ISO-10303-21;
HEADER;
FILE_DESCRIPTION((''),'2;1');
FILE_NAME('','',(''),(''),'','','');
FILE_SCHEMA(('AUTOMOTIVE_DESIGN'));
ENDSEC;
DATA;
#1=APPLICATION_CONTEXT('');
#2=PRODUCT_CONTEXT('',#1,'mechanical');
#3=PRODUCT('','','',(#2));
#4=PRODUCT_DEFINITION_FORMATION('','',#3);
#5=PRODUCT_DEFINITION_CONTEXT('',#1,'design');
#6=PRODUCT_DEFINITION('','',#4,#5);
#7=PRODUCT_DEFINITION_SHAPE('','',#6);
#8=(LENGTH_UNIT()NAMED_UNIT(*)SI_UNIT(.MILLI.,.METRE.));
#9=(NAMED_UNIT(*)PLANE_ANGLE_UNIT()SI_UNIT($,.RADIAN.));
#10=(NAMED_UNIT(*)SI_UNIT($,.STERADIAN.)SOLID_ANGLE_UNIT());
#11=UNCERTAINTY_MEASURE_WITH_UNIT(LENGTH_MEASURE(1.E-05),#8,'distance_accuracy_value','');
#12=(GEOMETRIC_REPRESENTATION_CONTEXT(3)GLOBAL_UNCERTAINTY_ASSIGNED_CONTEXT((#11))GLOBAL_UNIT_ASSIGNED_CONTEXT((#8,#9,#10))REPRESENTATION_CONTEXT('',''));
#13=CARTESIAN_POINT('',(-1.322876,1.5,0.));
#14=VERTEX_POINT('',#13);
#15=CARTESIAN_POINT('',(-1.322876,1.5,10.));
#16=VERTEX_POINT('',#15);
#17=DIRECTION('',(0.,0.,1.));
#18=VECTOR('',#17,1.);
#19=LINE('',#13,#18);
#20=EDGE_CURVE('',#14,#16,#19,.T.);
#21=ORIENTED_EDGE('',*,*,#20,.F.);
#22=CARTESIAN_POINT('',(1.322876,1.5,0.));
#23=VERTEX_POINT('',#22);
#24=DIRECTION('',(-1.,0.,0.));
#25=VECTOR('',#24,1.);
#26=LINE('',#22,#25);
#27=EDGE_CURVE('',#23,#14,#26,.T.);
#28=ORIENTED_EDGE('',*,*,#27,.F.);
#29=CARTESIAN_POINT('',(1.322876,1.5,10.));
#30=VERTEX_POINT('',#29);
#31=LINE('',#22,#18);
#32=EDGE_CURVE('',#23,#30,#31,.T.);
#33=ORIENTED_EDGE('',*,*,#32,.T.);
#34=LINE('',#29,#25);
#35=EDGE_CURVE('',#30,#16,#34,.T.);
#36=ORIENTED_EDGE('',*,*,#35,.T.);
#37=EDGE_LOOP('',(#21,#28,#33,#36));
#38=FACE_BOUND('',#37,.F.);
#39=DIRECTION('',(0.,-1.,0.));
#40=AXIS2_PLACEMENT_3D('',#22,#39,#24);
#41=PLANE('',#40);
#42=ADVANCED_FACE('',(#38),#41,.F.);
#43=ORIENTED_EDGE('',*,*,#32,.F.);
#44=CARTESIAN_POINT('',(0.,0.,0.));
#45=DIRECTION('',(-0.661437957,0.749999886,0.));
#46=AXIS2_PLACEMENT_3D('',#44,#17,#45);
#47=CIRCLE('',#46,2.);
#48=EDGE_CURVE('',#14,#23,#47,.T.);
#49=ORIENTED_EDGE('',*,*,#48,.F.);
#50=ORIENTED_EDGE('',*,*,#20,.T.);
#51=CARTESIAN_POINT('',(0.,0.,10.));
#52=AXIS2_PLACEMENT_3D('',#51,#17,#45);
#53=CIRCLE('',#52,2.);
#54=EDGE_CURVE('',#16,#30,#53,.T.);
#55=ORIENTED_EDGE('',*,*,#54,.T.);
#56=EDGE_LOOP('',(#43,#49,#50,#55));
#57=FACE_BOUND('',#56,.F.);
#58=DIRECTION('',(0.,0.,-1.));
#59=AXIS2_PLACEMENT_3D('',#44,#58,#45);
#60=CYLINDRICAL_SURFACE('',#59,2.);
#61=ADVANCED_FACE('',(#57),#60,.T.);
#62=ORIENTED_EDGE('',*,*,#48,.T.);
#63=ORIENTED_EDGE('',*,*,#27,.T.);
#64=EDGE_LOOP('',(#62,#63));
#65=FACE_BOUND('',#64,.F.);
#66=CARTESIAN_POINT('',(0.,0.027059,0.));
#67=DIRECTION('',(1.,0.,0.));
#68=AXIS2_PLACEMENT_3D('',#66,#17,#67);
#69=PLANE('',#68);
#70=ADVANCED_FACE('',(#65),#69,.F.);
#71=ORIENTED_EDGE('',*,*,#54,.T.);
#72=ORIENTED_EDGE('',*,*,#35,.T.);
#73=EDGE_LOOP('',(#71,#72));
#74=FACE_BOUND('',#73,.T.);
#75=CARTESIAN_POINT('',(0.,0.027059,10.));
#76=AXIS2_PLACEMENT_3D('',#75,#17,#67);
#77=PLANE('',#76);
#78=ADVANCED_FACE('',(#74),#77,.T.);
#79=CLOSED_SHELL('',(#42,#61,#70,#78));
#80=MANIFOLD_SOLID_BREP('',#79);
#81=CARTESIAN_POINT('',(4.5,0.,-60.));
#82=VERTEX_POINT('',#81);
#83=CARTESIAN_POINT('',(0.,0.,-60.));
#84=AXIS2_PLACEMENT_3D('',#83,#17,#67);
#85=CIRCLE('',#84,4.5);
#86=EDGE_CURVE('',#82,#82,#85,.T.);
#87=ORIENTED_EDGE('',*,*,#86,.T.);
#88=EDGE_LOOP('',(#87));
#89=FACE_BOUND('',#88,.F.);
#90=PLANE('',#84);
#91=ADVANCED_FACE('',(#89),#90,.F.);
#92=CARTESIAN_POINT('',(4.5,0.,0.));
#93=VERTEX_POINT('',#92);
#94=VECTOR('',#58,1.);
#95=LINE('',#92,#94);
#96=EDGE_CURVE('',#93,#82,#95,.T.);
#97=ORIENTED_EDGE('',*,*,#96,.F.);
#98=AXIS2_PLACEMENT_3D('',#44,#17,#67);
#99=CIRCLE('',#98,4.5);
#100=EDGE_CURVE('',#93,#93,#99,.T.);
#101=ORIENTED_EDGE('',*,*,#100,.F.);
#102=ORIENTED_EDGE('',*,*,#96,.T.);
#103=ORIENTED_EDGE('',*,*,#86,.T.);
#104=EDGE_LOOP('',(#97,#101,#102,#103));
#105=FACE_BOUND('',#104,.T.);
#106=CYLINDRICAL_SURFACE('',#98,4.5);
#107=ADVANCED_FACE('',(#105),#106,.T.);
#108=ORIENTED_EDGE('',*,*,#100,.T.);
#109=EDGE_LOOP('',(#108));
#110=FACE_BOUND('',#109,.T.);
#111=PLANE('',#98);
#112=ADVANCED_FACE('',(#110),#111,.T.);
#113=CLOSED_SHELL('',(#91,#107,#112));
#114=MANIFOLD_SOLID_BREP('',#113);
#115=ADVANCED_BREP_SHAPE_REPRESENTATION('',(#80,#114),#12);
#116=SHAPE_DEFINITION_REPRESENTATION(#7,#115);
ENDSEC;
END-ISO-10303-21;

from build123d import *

# Parameters (mm, degrees)
F0_R     = 4.5
F1_DEPTH = 60
F2_DEPTH = 10


with BuildPart() as f1:
    # F0 (on Top) → F1 (new body)
    with BuildSketch(Plane.XY):
        Circle(F0_R)
        with BuildLine():
            ThreePointArc((1.322876, 1.5), (0, -2), (-1.322876, 1.5))
            Line((-1.322876, 1.5), (1.322876, 1.5))
        make_face(mode=Mode.SUBTRACT)
        with BuildLine():
            Line((1.322876, 1.5), (-1.322876, 1.5))
            ThreePointArc((-1.322876, 1.5), (0, -2), (1.322876, 1.5))
        make_face()
    extrude(amount=-F1_DEPTH)


with BuildPart() as f2:
    # F0 (on Top) → F2 (new body)
    with BuildSketch(Plane.XY):
        with BuildLine():
            Line((1.322876, 1.5), (-1.322876, 1.5))
            ThreePointArc((-1.322876, 1.5), (0, -2), (1.322876, 1.5))
        make_face()
    extrude(amount=F2_DEPTH)


solid = Compound([f1.part, f2.part])
